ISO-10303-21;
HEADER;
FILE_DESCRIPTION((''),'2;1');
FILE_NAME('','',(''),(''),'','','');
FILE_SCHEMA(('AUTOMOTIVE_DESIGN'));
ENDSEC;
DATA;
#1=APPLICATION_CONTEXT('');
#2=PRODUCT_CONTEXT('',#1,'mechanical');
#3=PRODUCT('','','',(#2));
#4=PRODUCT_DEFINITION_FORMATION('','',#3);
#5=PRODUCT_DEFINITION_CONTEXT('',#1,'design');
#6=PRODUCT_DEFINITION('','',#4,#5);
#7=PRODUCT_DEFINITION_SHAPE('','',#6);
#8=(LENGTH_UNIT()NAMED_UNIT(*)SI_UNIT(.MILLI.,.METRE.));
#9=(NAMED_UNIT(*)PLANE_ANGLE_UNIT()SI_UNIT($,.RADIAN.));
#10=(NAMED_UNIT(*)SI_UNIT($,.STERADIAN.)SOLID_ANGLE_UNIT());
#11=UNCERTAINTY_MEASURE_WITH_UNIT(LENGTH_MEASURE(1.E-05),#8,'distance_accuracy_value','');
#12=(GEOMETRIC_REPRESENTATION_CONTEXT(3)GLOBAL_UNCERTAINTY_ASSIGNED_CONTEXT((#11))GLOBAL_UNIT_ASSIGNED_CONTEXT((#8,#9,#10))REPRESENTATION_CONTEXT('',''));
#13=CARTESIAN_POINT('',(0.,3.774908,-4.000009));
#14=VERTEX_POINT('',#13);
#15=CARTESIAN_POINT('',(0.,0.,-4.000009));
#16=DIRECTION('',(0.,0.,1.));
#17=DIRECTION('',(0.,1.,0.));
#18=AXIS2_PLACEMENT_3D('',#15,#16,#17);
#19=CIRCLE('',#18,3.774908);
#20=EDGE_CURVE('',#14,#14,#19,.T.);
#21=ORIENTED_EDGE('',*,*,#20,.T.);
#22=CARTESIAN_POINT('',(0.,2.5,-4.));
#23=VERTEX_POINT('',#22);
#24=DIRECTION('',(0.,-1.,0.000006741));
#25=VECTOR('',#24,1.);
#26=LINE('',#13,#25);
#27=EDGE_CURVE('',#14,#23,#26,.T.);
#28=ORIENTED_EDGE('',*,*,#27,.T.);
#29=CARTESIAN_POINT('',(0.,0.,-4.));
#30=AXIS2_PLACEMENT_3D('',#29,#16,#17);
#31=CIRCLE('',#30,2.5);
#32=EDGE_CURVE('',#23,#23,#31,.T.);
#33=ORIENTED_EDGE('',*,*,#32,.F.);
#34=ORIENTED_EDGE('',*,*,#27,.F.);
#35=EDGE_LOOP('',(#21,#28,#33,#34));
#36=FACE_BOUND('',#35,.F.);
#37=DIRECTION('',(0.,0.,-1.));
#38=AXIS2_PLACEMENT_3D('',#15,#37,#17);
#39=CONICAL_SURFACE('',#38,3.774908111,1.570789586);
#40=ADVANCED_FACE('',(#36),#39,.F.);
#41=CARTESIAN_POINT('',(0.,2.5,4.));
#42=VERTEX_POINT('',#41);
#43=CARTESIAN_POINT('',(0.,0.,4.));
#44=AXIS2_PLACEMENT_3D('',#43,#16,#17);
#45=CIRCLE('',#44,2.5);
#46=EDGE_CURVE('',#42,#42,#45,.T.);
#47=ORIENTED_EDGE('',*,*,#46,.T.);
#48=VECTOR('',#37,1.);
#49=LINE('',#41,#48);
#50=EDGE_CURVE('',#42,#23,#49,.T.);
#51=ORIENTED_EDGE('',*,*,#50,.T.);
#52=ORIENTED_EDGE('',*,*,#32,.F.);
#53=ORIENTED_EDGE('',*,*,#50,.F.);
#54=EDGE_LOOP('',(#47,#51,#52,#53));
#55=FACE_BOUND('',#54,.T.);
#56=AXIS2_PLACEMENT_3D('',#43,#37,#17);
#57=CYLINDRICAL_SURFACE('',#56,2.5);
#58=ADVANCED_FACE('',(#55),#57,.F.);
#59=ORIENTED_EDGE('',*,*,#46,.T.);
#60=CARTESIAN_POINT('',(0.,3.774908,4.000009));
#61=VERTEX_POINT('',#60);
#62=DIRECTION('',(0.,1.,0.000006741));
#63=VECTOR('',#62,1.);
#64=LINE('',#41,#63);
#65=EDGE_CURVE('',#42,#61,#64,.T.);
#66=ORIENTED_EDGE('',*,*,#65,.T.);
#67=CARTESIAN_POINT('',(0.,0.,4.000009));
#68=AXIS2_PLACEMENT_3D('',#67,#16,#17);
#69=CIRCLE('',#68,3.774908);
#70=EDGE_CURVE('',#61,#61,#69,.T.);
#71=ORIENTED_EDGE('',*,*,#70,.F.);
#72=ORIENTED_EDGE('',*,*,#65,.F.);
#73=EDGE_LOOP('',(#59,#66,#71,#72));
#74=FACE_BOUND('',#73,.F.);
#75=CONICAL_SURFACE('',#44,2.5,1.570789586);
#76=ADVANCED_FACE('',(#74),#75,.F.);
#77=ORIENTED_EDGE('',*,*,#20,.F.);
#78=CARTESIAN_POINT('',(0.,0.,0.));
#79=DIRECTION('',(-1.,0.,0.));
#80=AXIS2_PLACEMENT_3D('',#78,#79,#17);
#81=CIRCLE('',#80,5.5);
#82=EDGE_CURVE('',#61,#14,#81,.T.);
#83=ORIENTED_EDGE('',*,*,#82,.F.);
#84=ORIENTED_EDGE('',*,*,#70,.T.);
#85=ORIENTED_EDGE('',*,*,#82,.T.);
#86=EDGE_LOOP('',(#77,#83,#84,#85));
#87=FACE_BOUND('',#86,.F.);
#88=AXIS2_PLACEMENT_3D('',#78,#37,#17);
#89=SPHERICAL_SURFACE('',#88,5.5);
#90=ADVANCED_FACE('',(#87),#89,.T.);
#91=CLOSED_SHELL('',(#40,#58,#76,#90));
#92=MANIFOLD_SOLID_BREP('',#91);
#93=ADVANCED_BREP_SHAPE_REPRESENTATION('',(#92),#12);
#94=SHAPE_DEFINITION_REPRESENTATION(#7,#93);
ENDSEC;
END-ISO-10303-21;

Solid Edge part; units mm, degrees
sketch "Sketch1" plane through (0, 0, 0) normal (1, 0, 0) x (0, 1, 0)
  arc A0 (3.7749, 4) -> (3.7749, -4) centre (0, 0) cw
  line L0 (3.7749, -4) -> (2.5, -4)
  line L1 (2.5, 4) -> (2.5, -4)
  line L2 (2.5, 4) -> (3.7749, 4)
revolve "RevolvedProtrusion1" add sketch "Sketch1" angle 360 about axis through (0, 0, 0) along (0, 0, 1)
